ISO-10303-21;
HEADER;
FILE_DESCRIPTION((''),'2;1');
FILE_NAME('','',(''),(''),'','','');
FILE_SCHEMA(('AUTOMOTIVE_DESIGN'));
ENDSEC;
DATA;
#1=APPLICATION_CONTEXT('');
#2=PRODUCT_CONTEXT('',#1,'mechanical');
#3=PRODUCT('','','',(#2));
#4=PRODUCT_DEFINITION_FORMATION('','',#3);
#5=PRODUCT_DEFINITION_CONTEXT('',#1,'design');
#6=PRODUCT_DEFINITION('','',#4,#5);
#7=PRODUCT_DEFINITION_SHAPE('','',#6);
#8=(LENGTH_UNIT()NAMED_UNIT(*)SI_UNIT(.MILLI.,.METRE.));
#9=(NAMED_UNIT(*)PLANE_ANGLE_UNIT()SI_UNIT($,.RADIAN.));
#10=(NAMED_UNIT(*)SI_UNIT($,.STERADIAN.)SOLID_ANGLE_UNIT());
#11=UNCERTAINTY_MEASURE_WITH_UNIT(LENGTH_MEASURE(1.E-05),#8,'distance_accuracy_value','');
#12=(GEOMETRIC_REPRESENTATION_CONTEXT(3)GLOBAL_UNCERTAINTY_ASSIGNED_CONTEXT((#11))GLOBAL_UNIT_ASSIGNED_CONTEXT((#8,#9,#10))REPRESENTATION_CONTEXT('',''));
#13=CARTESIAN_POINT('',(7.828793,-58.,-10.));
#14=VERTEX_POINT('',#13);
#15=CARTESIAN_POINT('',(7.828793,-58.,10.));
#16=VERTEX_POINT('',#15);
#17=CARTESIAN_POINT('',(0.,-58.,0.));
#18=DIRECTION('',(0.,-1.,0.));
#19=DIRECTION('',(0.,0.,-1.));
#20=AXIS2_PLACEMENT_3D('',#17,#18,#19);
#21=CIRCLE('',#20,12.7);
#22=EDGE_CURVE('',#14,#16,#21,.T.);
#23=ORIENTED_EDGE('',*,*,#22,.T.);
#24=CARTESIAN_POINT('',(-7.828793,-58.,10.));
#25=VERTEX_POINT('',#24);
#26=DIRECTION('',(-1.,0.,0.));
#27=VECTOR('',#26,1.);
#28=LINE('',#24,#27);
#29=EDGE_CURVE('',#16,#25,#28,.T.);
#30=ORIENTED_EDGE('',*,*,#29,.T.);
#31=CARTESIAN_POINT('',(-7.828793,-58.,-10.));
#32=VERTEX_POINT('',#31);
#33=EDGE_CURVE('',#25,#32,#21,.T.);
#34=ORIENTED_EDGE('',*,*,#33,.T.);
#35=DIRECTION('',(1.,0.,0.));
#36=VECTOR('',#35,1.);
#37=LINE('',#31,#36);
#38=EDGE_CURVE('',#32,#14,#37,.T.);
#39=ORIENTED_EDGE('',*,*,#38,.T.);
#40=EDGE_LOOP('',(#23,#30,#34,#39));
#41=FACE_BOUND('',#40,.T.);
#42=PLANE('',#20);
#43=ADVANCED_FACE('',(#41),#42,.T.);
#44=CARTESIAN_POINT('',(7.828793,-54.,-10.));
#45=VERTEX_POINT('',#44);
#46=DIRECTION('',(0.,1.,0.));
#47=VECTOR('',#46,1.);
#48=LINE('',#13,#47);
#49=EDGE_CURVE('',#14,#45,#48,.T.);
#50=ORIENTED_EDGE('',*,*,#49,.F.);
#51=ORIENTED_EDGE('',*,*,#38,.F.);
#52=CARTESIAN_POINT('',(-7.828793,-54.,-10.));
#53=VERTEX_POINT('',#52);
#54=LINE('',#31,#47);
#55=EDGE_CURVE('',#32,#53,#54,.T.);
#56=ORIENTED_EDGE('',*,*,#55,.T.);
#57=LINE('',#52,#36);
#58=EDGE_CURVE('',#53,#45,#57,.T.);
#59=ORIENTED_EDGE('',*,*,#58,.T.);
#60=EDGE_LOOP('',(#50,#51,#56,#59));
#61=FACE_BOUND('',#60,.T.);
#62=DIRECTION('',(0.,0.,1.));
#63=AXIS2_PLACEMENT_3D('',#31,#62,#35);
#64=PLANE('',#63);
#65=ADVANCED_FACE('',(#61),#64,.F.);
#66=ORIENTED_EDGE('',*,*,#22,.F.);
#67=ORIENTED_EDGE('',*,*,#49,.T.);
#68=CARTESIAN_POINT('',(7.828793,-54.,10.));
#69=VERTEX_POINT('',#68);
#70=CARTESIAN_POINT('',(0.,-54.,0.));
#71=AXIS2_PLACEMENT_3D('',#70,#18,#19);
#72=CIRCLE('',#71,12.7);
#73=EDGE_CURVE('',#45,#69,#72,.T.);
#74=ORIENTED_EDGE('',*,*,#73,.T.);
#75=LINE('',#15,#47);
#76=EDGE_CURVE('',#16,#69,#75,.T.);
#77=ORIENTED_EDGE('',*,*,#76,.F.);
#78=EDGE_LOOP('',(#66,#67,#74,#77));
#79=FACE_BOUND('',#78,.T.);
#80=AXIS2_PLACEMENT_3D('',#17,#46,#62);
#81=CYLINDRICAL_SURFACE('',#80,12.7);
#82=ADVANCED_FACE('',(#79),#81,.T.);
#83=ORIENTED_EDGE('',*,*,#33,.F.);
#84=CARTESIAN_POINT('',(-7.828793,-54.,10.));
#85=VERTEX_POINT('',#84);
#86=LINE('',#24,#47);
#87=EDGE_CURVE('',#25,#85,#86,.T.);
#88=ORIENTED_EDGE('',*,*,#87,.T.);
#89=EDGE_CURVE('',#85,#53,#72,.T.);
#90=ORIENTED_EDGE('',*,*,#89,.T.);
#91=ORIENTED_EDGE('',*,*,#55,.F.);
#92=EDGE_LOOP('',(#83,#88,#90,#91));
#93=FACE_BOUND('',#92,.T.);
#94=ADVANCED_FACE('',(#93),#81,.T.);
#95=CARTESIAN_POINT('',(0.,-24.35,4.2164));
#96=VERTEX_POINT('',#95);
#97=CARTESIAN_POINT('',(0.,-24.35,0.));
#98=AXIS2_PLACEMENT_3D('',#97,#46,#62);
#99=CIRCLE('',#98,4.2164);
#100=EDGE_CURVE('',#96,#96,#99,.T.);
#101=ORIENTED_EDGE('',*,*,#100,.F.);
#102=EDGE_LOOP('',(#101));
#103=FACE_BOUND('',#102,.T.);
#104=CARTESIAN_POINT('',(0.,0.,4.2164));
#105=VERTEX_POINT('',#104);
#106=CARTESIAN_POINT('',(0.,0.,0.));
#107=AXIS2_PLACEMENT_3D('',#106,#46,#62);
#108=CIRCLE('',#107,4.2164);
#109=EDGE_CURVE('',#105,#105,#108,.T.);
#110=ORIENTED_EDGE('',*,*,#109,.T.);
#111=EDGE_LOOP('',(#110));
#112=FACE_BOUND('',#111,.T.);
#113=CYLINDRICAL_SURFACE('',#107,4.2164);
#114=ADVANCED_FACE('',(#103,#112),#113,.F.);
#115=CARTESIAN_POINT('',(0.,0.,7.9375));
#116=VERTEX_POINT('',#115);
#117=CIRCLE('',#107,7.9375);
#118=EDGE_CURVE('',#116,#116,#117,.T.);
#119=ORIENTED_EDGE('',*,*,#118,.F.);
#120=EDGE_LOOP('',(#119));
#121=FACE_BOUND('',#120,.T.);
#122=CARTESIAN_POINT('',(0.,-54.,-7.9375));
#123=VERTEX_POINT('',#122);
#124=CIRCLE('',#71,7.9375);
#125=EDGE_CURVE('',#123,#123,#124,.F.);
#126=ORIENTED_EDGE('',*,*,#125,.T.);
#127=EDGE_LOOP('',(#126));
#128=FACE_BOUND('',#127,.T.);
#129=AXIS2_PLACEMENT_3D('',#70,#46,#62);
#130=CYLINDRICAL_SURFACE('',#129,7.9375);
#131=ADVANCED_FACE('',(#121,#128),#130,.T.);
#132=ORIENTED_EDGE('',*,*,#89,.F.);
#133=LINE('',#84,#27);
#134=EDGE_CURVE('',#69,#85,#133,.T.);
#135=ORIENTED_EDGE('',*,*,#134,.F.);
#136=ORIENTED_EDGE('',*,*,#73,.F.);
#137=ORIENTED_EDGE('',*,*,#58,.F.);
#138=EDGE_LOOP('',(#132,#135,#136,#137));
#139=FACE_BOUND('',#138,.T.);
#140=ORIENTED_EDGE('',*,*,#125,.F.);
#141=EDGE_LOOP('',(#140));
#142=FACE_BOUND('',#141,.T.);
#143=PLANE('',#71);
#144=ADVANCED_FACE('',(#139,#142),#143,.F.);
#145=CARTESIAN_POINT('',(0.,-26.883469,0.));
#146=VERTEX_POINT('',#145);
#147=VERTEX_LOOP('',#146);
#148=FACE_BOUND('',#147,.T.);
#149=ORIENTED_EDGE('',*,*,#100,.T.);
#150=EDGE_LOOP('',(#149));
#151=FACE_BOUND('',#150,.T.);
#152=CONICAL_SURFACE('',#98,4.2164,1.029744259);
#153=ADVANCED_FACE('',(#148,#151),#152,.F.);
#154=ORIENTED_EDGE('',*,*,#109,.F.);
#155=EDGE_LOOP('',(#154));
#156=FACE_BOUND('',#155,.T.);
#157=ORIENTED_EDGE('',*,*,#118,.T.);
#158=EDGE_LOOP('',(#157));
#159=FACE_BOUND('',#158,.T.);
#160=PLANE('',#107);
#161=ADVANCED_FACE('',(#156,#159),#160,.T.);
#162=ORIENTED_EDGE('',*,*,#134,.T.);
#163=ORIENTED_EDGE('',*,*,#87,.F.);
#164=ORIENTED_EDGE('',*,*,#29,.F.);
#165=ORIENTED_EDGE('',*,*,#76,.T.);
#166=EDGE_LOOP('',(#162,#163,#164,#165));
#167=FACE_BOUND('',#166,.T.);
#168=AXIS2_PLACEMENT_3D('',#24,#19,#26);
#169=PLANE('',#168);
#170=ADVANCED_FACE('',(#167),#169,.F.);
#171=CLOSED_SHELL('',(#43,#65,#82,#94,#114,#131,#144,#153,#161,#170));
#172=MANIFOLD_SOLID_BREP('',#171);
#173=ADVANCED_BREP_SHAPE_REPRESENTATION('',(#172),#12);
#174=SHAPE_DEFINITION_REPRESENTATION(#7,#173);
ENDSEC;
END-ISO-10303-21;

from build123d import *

# Parameters (mm, degrees)
EXTRUDE1_START              = -54
SKETCH1_R                   = 7.9375
EXTRUDE1_DEPTH              = 54
EXTRUDE4_DEPTH              = 4
F_3_8_24_TAPPED_HOLE1_D     = 8.4328
F_3_8_24_TAPPED_HOLE1_DEPTH = 24.35
F_3_8_24_TAPPED_HOLE1_TIP   = 2.533468714


with BuildPart() as part:
    # Sketch1 → Extrude1 (new body)
    with BuildSketch(Plane(origin=(0, 0, 0), x_dir=(1, 0, 0), z_dir=(0, 1, 0)).offset(EXTRUDE1_START)):
        Circle(SKETCH1_R)
    extrude(amount=EXTRUDE1_DEPTH)

    # Sketch4 → Extrude4 (add)
    with BuildSketch(Plane.XZ.offset(54)):
        with BuildLine():
            Line((-7.82879301, 10), (7.82879301, 10))
            ThreePointArc((7.82879301, 10), (12.7, 0), (7.82879301, -10))
            Line((7.82879301, -10), (-7.82879301, -10))
            ThreePointArc((-7.82879301, -10), (-12.7, 0), (-7.82879301, 10))
        make_face()
    extrude(amount=EXTRUDE4_DEPTH)

    # 3_8-24 Tapped Hole1
    with Locations(Plane(origin=(0, 0, 0), x_dir=(-1, 0, 0), z_dir=(0, 1, 0))):
        with Locations((0, 0)):
            Hole(F_3_8_24_TAPPED_HOLE1_D / 2, depth=F_3_8_24_TAPPED_HOLE1_DEPTH)
            with Locations((0, 0, -(F_3_8_24_TAPPED_HOLE1_DEPTH + F_3_8_24_TAPPED_HOLE1_TIP / 2))):  # 118° drill point
                Cone(0, F_3_8_24_TAPPED_HOLE1_D / 2, F_3_8_24_TAPPED_HOLE1_TIP, mode=Mode.SUBTRACT)


solid = part.part
